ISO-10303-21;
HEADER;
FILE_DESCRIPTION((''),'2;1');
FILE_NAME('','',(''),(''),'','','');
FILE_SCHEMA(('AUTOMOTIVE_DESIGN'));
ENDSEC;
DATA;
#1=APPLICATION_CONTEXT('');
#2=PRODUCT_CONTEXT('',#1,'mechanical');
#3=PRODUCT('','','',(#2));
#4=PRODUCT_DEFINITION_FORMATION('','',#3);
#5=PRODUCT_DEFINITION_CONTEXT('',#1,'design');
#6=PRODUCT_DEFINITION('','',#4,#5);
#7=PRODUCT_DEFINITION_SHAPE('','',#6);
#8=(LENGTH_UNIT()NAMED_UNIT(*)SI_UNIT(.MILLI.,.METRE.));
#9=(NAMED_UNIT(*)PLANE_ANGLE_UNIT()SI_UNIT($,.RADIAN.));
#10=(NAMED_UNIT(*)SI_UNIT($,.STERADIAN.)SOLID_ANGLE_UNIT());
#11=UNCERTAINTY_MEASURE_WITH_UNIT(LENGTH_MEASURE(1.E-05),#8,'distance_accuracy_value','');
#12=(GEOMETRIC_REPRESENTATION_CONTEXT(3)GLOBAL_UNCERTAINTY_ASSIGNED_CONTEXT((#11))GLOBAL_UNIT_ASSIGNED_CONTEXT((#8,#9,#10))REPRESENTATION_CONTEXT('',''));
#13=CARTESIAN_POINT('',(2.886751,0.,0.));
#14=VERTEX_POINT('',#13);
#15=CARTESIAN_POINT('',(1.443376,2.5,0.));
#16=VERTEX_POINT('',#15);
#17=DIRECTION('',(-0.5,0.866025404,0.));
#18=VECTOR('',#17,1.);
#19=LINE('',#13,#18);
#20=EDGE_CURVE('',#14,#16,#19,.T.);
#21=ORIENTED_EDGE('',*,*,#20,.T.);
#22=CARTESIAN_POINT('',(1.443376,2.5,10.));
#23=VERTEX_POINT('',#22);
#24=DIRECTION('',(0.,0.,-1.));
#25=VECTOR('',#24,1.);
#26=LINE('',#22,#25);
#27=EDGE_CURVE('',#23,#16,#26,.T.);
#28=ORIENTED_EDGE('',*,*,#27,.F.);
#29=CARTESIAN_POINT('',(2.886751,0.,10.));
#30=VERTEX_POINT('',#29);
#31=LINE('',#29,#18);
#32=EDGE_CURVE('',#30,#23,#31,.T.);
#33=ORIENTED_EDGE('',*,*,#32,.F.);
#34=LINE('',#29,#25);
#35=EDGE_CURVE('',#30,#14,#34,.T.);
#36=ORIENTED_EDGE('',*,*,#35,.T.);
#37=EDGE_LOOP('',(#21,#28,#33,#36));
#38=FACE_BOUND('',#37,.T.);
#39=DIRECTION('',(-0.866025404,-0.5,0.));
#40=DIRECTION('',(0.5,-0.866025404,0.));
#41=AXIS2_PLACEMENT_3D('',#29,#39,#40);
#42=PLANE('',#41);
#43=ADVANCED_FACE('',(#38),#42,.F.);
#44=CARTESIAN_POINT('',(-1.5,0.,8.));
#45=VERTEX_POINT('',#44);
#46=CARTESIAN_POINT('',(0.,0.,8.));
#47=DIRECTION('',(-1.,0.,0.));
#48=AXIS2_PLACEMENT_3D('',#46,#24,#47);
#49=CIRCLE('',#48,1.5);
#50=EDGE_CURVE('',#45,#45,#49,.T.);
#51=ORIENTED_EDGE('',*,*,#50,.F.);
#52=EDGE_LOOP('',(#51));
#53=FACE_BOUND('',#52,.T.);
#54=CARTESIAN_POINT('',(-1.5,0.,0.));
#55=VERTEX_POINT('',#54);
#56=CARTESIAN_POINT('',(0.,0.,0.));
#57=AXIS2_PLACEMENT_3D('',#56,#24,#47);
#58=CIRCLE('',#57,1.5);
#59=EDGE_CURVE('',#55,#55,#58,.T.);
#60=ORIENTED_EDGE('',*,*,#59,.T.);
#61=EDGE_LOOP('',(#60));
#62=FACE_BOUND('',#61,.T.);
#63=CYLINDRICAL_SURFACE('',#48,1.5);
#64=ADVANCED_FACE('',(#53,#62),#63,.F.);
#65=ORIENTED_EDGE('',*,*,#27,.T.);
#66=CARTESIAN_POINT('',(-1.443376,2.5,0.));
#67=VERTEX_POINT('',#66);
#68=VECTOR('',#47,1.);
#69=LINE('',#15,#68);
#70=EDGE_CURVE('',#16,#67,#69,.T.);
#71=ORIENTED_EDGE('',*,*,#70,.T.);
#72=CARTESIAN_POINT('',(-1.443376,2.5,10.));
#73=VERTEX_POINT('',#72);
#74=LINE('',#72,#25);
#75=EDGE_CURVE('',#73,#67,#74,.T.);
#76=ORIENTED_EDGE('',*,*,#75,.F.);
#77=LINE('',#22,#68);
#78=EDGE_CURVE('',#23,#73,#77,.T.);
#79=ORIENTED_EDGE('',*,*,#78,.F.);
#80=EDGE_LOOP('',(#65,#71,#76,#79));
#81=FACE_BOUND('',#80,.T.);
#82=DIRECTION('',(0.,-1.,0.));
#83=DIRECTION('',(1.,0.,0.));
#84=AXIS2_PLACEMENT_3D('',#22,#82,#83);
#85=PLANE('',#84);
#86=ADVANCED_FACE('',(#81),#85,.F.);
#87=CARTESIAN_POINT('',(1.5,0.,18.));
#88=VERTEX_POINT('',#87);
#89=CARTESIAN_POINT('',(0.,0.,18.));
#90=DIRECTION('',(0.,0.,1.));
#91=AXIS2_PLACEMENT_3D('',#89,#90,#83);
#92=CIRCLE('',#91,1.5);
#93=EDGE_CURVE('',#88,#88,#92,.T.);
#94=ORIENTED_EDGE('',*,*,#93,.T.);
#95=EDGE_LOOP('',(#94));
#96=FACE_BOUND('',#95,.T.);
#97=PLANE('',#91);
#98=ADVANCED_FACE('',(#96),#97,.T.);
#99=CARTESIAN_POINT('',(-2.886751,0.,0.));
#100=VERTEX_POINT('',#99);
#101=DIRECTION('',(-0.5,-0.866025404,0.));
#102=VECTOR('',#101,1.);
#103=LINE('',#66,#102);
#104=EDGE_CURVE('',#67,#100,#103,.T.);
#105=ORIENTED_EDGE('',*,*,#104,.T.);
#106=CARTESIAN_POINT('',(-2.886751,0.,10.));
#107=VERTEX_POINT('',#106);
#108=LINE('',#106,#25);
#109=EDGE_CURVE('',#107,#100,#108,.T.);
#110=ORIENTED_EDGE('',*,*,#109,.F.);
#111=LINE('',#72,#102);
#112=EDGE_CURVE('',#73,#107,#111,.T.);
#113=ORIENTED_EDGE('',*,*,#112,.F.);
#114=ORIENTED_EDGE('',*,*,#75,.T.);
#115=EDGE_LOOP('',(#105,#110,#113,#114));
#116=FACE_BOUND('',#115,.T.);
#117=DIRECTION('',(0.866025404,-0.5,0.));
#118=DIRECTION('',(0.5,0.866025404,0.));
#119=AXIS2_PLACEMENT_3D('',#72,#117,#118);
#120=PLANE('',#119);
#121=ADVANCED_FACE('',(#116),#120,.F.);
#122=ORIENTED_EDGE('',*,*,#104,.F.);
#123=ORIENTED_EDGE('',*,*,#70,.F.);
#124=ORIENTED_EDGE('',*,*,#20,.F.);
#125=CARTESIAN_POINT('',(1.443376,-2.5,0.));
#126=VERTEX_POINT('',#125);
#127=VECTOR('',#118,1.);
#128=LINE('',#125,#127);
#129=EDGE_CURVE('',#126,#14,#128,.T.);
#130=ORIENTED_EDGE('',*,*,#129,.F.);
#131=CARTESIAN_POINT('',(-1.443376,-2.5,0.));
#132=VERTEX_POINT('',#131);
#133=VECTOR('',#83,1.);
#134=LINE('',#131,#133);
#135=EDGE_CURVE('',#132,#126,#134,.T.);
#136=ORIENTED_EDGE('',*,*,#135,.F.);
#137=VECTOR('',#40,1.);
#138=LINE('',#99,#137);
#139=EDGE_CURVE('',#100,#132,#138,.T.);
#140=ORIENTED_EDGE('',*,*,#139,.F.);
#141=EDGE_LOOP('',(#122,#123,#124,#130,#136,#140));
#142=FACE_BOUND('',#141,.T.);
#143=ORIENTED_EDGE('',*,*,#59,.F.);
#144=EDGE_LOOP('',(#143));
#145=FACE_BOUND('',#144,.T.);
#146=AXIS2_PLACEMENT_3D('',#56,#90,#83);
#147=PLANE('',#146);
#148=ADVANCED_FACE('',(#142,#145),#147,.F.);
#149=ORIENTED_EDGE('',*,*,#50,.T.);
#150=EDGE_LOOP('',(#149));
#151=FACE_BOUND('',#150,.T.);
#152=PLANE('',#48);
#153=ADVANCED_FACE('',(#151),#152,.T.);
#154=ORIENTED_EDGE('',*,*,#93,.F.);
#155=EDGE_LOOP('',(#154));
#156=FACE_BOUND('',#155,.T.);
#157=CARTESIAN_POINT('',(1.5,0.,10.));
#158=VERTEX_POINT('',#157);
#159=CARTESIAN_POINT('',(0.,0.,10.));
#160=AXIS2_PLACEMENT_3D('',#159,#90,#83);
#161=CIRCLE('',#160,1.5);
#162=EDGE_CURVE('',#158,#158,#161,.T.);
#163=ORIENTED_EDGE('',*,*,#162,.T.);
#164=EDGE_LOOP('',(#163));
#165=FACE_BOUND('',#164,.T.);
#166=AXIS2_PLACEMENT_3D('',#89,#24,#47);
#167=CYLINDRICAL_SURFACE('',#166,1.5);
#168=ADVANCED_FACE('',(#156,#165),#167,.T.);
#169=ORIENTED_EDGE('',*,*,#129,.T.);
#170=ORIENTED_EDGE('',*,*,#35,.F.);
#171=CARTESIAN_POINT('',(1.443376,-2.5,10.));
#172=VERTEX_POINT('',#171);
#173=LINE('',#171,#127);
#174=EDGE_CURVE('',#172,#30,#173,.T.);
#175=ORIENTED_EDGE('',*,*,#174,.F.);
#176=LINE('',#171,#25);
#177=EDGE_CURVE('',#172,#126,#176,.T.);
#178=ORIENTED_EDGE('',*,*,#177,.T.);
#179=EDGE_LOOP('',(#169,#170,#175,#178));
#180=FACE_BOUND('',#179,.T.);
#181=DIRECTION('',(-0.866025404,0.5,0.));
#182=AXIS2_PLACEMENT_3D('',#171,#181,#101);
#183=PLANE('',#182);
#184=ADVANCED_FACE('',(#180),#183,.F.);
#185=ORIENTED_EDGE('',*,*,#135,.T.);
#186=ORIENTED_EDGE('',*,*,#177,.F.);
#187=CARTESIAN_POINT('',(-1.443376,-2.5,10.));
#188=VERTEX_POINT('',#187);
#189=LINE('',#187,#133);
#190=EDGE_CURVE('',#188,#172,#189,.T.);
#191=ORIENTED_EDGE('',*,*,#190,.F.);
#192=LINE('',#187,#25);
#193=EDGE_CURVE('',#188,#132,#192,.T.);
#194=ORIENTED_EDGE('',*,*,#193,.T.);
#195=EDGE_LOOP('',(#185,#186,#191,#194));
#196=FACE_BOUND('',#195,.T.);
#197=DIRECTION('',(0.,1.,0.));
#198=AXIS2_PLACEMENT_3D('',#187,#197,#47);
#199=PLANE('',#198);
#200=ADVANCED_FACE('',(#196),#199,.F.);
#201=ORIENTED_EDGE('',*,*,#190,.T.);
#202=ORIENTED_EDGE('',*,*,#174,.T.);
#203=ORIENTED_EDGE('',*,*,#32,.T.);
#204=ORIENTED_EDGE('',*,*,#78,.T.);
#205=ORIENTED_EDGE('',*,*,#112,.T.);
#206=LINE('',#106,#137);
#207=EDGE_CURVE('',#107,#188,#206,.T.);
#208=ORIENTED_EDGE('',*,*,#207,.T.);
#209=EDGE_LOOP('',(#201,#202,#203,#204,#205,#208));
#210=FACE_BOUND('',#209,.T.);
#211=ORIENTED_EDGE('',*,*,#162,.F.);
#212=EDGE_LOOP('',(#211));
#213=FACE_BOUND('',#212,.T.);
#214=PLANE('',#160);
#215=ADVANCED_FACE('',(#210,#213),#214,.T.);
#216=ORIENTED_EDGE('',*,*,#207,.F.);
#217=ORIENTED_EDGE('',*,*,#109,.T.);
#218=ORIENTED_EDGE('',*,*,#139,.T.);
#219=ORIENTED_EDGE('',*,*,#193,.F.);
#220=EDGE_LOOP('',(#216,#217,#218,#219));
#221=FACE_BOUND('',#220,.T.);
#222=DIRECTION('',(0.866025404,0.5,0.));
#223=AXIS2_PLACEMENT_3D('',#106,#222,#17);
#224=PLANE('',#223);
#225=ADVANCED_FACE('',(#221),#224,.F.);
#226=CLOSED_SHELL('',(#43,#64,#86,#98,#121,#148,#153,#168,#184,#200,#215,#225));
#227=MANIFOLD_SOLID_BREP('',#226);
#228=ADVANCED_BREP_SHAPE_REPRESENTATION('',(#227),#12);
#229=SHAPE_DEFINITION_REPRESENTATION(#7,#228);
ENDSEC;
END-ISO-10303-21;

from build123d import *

# Parameters (mm, degrees)
BOSS_EXTRU_1_DEPTH      = 10
ESQUISSE2_R             = 1.5
BOSS_EXTRU_2_DEPTH      = 8
ESQUISSE3_R             = 1.5
ENL_V_MAT_EXTRU_1_DEPTH = 8


with BuildPart() as part:
    # Esquisse1 → Boss.-Extru.1 (new body)
    with BuildSketch(Plane.XY):
        Polygon((2.886751346, 0), (1.443375673, 2.5), (-1.443375673, 2.5), (-2.886751346, 0), (-1.443375673, -2.5), (1.443375673, -2.5), align=None)
    extrude(amount=BOSS_EXTRU_1_DEPTH)

    # Esquisse2 → Boss.-Extru.2 (add)
    with BuildSketch(Plane.XY.offset(10)):
        Circle(ESQUISSE2_R)
    extrude(amount=BOSS_EXTRU_2_DEPTH)

    # Esquisse3 → Enlèv. mat.-Extru.1 (cut)
    with BuildSketch(Plane(origin=(0, 0, 0), x_dir=(-1, 0, 0), z_dir=(0, 0, -1))):
        with Locations(Location((0, 0, 0), (0, 0, 180))):
            Circle(ESQUISSE3_R)
    extrude(amount=-ENL_V_MAT_EXTRU_1_DEPTH, mode=Mode.SUBTRACT)


solid = part.part
